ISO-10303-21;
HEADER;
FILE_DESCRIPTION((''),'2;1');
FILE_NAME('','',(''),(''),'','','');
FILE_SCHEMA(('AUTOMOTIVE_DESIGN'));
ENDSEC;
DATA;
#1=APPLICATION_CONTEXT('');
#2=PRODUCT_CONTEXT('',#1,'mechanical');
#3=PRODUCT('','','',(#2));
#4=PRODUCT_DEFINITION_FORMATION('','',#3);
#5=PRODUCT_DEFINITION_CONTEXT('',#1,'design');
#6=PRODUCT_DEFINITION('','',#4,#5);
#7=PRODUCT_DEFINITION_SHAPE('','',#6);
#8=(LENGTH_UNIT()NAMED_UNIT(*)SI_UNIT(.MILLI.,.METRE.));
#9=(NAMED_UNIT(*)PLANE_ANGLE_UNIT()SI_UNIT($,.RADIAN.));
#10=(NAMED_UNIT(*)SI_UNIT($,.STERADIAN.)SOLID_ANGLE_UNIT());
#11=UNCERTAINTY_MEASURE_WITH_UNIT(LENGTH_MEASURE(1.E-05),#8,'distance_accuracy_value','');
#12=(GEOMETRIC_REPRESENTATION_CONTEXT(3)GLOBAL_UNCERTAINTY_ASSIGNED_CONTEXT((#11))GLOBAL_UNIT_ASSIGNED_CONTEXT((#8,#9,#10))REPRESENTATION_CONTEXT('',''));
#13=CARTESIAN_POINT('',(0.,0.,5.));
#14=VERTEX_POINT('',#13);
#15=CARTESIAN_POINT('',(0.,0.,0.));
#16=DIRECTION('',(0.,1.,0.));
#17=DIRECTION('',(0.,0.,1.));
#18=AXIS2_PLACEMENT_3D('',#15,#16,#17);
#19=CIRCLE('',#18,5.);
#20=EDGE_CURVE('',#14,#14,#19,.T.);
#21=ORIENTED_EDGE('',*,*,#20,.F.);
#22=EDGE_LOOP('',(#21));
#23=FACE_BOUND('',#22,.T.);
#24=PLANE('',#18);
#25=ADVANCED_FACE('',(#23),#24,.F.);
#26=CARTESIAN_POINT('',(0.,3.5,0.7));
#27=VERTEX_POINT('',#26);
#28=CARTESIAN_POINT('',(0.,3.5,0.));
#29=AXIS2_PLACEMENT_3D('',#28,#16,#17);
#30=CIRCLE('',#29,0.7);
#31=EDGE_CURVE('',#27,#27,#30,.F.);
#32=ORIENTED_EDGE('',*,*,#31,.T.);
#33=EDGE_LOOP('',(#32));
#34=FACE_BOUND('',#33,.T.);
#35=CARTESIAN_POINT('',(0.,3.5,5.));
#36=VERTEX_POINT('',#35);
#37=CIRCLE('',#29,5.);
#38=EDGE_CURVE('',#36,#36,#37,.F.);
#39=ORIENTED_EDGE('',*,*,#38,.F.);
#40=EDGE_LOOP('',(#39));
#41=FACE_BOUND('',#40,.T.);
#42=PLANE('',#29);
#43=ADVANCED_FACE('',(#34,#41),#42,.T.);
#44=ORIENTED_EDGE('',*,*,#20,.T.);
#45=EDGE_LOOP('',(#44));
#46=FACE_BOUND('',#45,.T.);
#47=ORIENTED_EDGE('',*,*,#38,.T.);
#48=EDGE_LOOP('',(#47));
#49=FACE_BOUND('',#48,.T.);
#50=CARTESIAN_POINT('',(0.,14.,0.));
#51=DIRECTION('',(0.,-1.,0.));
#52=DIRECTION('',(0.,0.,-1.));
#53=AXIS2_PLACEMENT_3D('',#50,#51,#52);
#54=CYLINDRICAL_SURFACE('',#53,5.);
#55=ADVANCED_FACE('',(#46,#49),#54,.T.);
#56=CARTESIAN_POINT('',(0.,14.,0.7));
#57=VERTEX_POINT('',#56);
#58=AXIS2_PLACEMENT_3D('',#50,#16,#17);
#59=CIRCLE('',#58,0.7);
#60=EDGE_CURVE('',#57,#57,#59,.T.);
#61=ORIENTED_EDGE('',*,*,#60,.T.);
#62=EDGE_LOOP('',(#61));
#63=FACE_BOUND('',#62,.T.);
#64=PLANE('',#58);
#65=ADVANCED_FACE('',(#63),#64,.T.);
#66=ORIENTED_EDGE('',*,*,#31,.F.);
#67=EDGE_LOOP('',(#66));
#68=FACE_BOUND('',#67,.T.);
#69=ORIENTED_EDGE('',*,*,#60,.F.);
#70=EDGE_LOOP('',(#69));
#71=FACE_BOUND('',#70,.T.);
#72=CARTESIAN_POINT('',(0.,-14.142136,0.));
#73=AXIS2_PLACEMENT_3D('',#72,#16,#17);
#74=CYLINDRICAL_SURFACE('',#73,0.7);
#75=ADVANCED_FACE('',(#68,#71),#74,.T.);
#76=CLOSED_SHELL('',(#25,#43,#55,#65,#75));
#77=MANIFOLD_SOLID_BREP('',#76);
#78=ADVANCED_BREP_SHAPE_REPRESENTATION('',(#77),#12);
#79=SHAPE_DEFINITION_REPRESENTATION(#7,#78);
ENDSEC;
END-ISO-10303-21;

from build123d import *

# Parameters (mm, degrees)
ESQUISSE1_R             = 5
BOSS_EXTRU_1_DEPTH      = 14
ENL_V_START             = -10.5
ESQUISSE2_R             = 5
ESQUISSE2_R_2           = 0.7
ENL_V_MAT_EXTRU_1_DEPTH = 10.5


with BuildPart() as part:
    # Esquisse1 → Boss.-Extru.1 (new body)
    with BuildSketch(Plane(origin=(0, 0, 0), x_dir=(1, 0, 0), z_dir=(0, 1, 0))):
        with Locations(Location((0, 0, 0), (0, 0, 270))):
            Circle(ESQUISSE1_R)
    extrude(amount=BOSS_EXTRU_1_DEPTH)

    # Esquisse2 → Enlèv. mat.-Extru.1 (cut)
    with BuildSketch(Plane(origin=(0, 14, 0), x_dir=(1, 0, 0), z_dir=(0, 1, 0)).offset(ENL_V_START)):
        with Locations(Location((0, 0, 0), (0, 0, 270))):
            Circle(ESQUISSE2_R)
        with Locations(Location((0, 0, 0), (0, 0, 270))):
            Circle(ESQUISSE2_R_2, mode=Mode.SUBTRACT)
    extrude(amount=ENL_V_MAT_EXTRU_1_DEPTH, mode=Mode.SUBTRACT)


solid = part.part
